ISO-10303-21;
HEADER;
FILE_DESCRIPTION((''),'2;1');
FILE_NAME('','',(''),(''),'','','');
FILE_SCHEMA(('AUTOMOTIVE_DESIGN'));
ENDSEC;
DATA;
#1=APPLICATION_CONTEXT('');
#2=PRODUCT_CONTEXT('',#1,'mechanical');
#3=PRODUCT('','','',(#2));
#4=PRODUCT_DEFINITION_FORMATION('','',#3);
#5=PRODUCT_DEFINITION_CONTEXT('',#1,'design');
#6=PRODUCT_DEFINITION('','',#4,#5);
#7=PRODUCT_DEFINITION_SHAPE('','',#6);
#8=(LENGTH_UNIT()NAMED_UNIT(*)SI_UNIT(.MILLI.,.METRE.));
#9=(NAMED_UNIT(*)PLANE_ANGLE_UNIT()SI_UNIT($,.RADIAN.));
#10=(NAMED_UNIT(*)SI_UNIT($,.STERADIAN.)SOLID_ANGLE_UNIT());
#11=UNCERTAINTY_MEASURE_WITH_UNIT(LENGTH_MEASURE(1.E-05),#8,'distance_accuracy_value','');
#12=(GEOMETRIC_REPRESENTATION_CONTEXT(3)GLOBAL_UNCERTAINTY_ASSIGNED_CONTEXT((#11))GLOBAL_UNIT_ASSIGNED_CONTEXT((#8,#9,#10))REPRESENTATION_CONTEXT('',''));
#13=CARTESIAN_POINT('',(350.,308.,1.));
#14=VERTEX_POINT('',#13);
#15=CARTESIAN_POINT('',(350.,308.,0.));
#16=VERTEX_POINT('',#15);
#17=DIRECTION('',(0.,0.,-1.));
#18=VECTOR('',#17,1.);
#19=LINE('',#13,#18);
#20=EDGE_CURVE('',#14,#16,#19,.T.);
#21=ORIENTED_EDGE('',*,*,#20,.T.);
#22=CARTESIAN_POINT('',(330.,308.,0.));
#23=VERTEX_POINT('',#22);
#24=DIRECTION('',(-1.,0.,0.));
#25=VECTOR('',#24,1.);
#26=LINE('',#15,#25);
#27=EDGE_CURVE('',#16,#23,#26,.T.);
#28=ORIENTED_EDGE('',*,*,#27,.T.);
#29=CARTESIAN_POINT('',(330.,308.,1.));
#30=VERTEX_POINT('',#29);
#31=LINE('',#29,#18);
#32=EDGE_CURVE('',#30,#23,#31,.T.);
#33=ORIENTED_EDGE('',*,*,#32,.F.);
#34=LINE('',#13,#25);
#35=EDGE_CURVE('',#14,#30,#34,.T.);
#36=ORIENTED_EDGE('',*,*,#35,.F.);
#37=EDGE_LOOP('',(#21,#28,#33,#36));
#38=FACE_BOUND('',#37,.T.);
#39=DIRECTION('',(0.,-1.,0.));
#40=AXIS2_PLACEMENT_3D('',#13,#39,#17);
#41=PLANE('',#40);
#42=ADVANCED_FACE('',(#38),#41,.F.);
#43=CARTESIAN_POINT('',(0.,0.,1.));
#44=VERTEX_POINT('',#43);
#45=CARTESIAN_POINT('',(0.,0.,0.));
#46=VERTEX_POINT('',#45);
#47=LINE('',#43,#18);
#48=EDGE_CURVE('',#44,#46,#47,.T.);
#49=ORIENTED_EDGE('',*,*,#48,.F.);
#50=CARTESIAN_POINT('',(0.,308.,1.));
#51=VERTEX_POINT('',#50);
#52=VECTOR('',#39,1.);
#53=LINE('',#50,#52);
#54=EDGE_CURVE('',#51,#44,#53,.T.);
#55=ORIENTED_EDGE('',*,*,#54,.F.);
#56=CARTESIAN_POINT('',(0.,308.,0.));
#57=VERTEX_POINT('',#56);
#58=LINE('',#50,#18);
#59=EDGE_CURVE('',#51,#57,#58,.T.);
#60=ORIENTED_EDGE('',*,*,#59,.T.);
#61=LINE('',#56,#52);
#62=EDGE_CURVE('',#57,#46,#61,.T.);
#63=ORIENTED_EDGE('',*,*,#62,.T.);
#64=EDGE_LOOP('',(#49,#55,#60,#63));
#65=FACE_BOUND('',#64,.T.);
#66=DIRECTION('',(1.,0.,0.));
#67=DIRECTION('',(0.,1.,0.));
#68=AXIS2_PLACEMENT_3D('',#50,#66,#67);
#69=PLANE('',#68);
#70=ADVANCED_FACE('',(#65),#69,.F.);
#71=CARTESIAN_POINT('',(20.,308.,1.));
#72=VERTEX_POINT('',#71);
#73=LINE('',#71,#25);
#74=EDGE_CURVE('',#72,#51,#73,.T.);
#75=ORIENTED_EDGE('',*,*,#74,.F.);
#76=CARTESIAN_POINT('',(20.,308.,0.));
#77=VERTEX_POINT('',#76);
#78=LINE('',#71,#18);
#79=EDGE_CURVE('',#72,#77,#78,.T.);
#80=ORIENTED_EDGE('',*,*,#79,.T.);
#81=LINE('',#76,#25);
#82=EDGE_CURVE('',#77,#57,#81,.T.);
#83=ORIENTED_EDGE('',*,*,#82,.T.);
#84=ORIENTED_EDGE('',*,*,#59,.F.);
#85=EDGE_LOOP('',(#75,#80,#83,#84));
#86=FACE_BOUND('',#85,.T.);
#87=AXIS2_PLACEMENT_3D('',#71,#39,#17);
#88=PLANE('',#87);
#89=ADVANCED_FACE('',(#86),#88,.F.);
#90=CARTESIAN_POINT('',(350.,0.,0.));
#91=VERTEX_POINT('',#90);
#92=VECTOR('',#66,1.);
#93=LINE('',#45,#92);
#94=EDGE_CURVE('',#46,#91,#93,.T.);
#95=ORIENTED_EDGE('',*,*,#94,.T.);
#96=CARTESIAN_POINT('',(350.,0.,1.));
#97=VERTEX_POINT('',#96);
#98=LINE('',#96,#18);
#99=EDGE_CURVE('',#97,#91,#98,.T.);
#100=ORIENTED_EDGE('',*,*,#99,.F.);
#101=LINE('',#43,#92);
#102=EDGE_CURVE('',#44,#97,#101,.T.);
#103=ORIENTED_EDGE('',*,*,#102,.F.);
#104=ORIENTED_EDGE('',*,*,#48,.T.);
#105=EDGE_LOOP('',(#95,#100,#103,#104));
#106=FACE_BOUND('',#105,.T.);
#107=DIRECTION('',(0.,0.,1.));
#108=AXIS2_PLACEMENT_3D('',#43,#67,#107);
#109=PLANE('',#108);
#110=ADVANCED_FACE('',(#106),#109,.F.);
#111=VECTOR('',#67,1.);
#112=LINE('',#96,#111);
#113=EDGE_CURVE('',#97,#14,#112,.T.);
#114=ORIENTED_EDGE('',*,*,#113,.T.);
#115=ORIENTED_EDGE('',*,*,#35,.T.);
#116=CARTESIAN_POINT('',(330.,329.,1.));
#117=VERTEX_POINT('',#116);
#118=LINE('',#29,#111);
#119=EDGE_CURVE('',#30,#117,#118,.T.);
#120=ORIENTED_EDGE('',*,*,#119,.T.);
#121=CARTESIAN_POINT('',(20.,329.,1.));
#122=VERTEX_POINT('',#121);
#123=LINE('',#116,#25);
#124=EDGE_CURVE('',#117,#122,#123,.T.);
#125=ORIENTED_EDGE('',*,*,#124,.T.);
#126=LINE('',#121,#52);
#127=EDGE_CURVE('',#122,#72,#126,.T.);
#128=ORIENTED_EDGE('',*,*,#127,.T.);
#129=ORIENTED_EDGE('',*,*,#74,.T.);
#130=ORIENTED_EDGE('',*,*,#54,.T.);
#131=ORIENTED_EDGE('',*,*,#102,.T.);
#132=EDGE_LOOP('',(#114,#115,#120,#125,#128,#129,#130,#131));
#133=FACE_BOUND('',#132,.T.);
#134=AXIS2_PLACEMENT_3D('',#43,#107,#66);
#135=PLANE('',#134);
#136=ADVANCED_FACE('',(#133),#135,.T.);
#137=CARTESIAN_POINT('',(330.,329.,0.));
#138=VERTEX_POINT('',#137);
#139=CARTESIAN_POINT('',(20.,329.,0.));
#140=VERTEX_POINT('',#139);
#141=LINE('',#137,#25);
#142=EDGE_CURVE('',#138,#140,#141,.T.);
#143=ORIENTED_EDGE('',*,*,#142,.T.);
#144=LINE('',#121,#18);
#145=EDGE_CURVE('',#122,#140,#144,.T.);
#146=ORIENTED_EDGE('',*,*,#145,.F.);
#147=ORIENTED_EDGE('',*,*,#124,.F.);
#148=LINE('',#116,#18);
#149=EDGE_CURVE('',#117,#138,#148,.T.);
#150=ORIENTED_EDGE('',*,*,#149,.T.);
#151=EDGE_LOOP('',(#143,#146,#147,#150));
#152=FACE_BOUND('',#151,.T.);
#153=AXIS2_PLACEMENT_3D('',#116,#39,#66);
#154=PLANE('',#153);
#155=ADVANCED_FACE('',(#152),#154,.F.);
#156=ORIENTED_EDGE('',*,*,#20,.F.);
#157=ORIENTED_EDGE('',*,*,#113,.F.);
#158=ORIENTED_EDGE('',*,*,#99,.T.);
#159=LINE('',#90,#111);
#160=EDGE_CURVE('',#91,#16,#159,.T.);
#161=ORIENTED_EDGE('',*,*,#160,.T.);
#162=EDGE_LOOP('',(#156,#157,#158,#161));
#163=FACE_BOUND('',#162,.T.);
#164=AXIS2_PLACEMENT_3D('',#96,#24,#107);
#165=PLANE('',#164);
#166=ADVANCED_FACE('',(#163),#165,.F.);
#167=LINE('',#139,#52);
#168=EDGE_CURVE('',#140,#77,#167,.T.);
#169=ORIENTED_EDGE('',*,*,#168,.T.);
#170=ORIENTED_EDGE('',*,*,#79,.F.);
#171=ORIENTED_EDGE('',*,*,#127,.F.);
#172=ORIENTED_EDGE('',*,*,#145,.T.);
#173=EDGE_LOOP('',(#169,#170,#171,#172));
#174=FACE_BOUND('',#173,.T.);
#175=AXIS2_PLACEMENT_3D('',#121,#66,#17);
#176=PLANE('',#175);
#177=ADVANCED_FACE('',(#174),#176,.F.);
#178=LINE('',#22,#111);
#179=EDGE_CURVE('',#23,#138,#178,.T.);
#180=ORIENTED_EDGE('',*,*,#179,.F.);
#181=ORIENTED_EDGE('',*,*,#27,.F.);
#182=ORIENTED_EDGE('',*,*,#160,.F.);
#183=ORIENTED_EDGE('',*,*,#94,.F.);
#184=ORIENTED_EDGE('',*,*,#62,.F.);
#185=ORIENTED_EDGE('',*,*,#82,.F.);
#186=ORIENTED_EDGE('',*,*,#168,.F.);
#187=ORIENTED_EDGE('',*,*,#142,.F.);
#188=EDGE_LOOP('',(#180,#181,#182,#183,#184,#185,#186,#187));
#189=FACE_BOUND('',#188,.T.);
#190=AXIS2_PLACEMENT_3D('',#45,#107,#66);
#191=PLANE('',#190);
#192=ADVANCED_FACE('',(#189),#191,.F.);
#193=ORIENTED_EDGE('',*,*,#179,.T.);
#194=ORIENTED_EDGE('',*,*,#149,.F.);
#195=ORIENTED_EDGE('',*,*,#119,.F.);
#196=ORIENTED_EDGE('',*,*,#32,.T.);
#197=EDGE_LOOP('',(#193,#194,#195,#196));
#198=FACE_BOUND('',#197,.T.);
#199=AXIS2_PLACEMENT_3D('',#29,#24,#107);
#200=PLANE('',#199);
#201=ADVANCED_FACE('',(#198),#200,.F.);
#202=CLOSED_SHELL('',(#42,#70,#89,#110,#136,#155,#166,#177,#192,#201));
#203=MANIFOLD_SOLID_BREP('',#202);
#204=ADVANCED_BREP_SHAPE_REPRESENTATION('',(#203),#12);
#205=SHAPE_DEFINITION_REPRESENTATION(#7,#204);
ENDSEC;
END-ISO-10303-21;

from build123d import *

# Parameters (mm, degrees)
EXTRUDE_1_DEPTH = 1


with BuildPart() as part:
    # 스케치1 → 보스-돌출1 (new body)
    with BuildSketch(Plane.XY):
        Polygon((0, 0), (350, 0), (350, 308), (330, 308), (330, 329), (20, 329), (20, 308), (0, 308), align=None)
    extrude(amount=EXTRUDE_1_DEPTH)


solid = part.part
